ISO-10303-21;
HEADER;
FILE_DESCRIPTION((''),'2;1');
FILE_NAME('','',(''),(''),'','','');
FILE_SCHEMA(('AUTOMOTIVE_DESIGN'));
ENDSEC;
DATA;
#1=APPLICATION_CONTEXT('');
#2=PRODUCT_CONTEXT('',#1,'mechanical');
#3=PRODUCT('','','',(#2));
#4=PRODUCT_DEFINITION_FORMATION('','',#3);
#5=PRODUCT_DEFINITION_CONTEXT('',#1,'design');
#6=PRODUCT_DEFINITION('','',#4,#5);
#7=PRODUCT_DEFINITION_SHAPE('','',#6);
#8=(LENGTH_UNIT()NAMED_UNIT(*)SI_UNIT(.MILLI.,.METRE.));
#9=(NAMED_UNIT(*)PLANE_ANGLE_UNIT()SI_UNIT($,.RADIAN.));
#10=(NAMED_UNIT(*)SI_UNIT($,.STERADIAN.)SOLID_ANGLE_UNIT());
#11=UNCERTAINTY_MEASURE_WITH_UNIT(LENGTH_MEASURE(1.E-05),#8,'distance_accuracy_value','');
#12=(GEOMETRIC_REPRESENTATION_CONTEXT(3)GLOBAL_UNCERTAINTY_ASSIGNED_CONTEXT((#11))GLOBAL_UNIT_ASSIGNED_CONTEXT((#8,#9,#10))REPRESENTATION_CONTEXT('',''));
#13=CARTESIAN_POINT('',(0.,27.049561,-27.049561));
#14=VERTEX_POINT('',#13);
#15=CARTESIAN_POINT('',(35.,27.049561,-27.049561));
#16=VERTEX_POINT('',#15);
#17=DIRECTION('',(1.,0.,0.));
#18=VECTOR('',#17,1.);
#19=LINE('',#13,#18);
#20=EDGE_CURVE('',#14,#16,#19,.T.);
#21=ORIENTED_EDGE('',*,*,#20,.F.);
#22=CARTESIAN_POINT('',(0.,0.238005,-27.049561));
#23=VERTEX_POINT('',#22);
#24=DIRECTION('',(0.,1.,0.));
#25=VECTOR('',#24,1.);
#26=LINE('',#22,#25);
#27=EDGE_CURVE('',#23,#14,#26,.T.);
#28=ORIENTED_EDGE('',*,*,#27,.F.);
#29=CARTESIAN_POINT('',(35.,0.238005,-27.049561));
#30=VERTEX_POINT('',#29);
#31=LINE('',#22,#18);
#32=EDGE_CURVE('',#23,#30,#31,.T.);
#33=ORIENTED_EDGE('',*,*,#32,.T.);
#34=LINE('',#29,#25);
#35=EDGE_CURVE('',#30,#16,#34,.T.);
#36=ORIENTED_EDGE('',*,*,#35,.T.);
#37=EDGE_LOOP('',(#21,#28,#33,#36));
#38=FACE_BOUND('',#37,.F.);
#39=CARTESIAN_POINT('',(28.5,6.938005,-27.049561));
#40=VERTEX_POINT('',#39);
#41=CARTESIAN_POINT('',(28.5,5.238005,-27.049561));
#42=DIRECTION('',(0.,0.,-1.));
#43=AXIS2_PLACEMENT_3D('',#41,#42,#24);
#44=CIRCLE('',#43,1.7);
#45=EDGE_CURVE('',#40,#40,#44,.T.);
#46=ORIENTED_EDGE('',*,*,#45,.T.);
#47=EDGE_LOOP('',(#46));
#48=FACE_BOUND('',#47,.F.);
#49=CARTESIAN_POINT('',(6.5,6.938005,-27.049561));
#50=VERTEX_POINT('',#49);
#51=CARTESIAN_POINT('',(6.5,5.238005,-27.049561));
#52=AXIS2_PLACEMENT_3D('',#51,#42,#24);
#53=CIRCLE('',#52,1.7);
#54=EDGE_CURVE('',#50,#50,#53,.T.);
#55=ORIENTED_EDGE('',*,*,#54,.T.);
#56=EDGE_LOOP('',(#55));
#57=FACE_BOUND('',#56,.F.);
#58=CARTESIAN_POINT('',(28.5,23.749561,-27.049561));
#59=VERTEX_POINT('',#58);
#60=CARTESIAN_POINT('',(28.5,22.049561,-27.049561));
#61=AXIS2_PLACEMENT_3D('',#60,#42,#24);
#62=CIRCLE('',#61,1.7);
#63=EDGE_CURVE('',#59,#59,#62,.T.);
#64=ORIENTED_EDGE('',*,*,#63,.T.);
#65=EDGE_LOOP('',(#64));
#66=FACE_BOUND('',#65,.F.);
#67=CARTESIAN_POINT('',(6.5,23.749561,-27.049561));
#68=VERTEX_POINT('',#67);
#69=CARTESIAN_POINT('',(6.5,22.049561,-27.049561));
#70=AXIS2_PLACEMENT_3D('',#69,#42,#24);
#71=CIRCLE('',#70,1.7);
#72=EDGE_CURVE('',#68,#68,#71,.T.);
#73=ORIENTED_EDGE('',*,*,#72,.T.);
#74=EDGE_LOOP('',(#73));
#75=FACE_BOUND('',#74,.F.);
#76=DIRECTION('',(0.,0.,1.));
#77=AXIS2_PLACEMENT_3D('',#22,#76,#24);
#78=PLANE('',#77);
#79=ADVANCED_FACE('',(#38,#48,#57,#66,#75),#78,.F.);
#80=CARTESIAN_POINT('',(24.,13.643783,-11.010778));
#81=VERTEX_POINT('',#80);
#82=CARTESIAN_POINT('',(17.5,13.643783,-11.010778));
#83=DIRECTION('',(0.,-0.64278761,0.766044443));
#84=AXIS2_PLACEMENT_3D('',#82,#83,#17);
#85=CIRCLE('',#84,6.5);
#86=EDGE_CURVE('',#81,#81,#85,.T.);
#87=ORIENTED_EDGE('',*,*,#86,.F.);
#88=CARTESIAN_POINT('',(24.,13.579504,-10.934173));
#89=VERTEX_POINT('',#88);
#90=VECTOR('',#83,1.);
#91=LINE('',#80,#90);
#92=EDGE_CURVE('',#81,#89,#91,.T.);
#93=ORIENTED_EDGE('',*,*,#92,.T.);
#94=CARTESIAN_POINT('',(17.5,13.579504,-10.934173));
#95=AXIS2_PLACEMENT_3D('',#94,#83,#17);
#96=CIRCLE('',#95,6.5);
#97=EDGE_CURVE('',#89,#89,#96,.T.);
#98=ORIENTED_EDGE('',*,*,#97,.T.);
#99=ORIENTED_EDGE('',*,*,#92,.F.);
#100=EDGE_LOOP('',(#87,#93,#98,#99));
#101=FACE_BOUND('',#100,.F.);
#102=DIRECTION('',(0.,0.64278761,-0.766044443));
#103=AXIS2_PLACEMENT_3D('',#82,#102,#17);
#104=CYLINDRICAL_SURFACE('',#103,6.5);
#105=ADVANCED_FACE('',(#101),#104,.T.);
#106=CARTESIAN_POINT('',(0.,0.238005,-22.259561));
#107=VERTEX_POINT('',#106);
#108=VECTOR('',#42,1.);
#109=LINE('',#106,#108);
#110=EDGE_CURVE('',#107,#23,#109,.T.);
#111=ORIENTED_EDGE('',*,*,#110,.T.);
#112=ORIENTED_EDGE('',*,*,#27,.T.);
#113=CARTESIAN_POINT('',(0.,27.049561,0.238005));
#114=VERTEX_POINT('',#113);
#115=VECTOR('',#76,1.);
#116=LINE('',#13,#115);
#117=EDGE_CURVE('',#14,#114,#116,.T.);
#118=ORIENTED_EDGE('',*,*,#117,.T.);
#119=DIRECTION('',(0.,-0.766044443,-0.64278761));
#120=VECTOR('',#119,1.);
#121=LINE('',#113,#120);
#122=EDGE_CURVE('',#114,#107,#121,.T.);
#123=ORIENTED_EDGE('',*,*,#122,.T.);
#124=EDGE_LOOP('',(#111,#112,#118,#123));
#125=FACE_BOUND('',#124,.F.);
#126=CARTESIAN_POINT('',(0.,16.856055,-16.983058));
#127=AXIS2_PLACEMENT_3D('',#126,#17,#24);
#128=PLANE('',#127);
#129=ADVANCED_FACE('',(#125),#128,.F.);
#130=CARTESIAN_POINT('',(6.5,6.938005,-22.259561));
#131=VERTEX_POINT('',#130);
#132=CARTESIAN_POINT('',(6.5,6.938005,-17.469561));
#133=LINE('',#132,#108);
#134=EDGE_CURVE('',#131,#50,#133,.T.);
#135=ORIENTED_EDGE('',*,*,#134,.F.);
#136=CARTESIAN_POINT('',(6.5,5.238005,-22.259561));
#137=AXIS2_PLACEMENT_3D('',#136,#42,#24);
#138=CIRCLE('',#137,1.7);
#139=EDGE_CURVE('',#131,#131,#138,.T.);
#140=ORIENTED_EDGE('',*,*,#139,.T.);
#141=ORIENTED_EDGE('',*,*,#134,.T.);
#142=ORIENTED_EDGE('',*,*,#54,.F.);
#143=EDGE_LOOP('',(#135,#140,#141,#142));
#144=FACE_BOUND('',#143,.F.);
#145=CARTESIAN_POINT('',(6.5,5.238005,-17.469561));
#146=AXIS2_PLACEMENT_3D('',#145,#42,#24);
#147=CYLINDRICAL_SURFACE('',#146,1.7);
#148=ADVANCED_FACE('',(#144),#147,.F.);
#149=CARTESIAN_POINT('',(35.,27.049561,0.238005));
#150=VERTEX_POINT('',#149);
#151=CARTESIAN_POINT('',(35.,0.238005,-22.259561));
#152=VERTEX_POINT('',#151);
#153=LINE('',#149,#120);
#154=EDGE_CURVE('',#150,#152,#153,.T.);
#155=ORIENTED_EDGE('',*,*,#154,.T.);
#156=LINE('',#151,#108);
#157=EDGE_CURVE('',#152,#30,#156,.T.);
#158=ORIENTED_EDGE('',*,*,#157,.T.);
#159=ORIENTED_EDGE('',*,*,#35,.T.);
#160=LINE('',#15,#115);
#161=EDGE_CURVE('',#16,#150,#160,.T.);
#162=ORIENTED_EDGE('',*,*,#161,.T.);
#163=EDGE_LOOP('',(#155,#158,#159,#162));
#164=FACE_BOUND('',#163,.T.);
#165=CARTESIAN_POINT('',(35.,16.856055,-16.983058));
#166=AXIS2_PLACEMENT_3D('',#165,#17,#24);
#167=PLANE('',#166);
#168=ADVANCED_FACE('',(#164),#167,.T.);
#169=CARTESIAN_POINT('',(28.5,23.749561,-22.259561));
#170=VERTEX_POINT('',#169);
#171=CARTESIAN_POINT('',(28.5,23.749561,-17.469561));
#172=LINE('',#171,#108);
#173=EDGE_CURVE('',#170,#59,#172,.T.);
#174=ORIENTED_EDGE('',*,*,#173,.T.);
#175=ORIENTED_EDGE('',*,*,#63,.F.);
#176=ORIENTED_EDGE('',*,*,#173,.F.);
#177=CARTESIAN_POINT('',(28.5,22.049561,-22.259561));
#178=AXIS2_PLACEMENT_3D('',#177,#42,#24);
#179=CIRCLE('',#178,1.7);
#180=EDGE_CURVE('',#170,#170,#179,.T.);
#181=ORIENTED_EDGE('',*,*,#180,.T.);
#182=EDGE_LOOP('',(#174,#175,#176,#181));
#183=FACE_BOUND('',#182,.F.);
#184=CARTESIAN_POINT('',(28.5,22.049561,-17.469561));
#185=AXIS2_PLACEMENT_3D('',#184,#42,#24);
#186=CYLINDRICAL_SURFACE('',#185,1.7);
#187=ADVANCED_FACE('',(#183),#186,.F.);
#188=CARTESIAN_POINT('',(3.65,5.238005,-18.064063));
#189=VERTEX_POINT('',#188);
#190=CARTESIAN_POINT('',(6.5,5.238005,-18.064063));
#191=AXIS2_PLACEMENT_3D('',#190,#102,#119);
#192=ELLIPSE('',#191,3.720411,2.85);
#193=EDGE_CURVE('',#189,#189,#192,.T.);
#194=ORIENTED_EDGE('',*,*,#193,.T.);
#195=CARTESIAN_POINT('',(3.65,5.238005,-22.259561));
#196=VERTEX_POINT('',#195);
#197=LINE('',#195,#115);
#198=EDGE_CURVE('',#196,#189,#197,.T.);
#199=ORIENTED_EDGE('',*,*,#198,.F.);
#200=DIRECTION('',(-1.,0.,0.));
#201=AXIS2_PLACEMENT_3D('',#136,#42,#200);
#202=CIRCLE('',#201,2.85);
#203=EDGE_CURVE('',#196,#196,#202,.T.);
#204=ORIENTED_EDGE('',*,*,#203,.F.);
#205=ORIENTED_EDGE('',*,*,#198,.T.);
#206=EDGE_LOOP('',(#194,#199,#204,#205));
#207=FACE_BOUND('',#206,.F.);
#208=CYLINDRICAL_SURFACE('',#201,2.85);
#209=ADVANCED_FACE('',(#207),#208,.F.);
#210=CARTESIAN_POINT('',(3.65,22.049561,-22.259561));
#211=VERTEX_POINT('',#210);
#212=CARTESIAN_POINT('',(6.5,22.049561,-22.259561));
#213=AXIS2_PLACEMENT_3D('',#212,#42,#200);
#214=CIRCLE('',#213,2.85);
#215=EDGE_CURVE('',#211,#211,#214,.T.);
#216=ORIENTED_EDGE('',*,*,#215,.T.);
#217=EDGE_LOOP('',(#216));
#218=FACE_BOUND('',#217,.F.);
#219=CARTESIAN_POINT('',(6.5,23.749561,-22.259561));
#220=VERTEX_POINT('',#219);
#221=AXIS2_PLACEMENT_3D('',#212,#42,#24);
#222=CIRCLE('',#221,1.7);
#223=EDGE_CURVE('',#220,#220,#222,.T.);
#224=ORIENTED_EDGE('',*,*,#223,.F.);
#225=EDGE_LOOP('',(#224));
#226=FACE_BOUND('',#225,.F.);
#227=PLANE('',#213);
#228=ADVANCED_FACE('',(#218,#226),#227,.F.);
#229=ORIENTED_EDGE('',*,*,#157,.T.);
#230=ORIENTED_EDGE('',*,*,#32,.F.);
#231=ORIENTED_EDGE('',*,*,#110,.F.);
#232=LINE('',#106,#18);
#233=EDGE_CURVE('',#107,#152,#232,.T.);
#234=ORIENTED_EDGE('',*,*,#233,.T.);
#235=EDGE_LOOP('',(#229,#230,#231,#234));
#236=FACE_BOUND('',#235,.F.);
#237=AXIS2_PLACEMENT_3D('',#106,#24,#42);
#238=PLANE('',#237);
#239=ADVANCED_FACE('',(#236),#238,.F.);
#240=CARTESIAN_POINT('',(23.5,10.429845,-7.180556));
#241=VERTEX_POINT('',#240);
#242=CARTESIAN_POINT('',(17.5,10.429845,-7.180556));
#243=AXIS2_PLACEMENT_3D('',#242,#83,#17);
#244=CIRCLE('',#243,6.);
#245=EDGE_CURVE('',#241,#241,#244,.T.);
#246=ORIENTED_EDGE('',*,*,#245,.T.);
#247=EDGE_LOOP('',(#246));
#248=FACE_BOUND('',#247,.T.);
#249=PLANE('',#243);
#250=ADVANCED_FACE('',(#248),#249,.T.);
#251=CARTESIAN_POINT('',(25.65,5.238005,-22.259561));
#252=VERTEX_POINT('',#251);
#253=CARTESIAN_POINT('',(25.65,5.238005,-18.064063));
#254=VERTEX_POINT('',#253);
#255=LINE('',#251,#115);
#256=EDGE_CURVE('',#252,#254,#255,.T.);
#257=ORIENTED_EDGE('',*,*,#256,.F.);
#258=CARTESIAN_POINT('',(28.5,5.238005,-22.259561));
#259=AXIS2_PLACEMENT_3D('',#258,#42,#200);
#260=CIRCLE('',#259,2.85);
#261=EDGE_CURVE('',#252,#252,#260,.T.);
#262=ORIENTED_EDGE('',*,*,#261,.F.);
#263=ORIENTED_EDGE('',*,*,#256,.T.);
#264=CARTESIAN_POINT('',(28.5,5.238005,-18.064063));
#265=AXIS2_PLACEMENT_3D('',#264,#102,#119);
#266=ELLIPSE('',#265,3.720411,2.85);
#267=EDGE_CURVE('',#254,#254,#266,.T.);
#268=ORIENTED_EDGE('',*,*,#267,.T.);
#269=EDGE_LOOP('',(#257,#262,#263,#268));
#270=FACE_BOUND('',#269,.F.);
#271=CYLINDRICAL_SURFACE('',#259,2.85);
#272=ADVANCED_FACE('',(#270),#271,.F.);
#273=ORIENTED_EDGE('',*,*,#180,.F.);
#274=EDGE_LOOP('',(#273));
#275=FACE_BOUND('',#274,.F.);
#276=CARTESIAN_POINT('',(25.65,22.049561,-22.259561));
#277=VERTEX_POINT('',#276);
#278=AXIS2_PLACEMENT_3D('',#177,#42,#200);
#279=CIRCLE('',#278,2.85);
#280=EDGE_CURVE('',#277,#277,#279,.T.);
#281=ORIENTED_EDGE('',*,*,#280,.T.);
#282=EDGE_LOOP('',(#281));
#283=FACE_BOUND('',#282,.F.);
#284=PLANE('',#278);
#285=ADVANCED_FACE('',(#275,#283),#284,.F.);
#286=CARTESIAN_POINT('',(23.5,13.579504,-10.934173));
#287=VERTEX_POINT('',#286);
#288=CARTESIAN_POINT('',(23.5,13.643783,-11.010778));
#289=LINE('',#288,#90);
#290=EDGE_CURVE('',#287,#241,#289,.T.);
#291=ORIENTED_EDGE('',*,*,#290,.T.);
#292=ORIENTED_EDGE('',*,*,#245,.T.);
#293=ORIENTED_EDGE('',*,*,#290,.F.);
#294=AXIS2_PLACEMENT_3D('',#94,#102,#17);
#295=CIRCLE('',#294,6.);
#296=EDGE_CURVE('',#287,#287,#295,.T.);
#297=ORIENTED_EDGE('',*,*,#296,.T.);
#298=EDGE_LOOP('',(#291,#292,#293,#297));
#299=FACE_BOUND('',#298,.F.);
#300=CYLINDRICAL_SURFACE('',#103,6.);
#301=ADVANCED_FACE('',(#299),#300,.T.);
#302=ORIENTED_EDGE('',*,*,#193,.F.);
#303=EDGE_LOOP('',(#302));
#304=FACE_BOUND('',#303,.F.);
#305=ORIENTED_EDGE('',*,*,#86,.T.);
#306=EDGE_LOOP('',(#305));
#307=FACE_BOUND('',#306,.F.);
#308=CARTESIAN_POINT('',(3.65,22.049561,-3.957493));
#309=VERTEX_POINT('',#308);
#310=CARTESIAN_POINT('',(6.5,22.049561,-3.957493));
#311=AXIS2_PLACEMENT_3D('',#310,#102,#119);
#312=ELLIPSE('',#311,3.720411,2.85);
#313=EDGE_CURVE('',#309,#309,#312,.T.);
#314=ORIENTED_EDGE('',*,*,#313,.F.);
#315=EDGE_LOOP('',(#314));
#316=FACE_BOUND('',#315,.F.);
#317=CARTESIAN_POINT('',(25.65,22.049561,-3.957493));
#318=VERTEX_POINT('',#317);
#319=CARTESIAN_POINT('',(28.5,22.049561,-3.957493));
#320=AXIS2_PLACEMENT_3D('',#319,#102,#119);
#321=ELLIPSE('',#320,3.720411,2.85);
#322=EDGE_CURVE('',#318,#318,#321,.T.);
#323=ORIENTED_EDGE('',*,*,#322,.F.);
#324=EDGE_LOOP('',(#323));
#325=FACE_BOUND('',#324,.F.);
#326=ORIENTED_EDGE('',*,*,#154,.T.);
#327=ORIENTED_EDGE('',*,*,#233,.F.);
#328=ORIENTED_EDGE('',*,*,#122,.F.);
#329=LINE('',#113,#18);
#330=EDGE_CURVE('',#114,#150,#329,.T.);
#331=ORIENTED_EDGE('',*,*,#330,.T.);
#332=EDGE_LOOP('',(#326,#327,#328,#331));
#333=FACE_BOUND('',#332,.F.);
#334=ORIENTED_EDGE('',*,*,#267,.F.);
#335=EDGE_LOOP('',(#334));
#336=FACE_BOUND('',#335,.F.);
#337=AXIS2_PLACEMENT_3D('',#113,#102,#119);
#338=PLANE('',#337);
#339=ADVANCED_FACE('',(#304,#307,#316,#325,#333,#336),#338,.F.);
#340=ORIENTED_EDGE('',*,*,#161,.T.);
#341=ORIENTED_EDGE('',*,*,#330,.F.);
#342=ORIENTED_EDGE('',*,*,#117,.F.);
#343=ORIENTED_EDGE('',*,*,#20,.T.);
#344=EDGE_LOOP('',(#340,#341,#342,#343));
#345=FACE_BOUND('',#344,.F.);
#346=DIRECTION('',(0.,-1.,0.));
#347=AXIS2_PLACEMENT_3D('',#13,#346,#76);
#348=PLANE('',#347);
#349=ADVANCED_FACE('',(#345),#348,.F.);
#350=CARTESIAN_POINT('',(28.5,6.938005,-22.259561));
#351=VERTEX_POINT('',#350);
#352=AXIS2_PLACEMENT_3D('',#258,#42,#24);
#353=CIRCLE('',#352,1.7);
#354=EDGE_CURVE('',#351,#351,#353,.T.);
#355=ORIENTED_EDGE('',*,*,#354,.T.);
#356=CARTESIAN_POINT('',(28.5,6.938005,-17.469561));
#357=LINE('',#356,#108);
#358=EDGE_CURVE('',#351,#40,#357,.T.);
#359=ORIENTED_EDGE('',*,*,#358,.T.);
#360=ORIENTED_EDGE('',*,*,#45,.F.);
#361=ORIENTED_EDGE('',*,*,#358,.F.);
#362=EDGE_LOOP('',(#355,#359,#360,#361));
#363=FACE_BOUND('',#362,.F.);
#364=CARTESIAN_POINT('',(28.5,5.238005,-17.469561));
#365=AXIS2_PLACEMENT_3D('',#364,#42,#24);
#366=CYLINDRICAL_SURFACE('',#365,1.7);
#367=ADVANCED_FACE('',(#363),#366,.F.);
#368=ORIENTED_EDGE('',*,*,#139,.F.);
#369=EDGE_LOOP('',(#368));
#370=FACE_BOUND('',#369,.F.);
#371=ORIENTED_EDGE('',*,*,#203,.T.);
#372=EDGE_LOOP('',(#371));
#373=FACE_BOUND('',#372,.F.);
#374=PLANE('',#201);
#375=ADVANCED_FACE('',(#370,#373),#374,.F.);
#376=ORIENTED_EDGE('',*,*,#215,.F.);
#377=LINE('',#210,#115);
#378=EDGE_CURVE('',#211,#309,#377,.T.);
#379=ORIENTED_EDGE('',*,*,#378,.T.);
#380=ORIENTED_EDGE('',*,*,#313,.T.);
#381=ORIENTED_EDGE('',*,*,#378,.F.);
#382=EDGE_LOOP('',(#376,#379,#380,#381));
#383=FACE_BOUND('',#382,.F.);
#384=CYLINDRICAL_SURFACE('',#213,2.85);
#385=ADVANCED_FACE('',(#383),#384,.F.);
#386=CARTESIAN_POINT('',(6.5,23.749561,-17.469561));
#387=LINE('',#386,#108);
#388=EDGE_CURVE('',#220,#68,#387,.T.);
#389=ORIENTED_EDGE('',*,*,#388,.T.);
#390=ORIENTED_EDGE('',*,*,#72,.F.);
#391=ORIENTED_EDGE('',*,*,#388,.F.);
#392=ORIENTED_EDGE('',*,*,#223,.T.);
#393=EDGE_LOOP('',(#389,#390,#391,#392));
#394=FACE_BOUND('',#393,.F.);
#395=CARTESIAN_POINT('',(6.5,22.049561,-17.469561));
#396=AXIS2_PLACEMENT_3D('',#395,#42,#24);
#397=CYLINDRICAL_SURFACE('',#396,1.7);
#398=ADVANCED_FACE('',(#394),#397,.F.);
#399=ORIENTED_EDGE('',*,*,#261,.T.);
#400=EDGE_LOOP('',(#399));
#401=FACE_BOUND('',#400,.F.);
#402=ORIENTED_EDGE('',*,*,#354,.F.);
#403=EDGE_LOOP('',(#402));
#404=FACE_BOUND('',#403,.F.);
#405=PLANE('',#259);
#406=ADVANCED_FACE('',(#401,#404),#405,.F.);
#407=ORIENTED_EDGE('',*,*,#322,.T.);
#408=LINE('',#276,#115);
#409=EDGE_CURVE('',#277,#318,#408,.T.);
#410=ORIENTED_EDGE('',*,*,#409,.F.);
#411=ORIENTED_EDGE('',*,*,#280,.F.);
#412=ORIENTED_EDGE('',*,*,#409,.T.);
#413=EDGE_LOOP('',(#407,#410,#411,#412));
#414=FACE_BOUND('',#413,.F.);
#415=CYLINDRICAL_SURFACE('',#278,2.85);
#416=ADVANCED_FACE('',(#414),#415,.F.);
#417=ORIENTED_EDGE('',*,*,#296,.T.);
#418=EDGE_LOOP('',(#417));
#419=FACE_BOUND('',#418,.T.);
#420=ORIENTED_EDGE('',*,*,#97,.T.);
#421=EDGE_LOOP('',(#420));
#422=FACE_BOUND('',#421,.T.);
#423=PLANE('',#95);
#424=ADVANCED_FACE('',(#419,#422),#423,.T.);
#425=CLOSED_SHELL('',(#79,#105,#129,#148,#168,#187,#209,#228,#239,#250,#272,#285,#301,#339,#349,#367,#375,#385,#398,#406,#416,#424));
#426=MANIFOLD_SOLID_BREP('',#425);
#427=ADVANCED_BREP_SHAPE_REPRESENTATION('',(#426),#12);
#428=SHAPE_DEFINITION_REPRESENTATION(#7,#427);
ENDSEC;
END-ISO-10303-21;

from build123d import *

# Parameters (mm, degrees)
AUFSATZ_LINEAR_AUSTRAGEN1_DEPTH      = 35
SKIZZE3_R                            = 6
AUFSATZ_LINEAR_AUSTRAGEN2_DEPTH      = 5
SKIZZE4_R                            = 6.5
AUFSATZ_LINEAR_AUSTRAGEN3_DEPTH      = 0.1
SKIZZE7_R                            = 2.85
SCHNITT_LINEAR_AUSTRAGEN1_DEPTH      = 23.497566339
F_3_4_3_4_DURCHMESSER_BOHRUNG1_D     = 3.4
F_3_4_3_4_DURCHMESSER_BOHRUNG1_DEPTH = 4.79
K_RPER_VERSCHIEBEN_KOPIEREN1_ANGLE   = 90


with BuildPart() as part:
    # Skizze1 → Aufsatz-Linear austragen1 (new body)
    with BuildSketch(Plane(origin=(0, 0, 0), x_dir=(0, 0, -1), z_dir=(1, 0, 0))):
        Polygon((0, 0), (26.811555509, 0), (26.811555509, 27.287566339), (0, 4.79), align=None)
    extrude(amount=AUFSATZ_LINEAR_AUSTRAGEN1_DEPTH)

    # Skizze3 → Aufsatz-Linear austragen2 (add)
    with BuildSketch(Plane(origin=(0, 2.810887386, 2.358614568), x_dir=(1, 0, 0), z_dir=(0, 0.766044443, 0.64278761))):
        with Locations((17.5, 20.57895265)):
            Circle(SKIZZE3_R)
    extrude(amount=AUFSATZ_LINEAR_AUSTRAGEN2_DEPTH)

    # Skizze4 → Aufsatz-Linear austragen3 (add)
    with BuildSketch(Plane(origin=(0, 2.810887386, 2.358614568), x_dir=(1, 0, 0), z_dir=(0, 0.766044443, 0.64278761))):
        with Locations((17.5, 20.57895265)):
            Circle(SKIZZE4_R)
    extrude(amount=AUFSATZ_LINEAR_AUSTRAGEN3_DEPTH)

    # Skizze7 → Schnitt-Linear austragen1 (cut, through all)
    with BuildSketch(Plane(origin=(0, 4.79, 0), x_dir=(-1, 0, 0), z_dir=(0, -1, 0))):
        with Locations((-28.5, 21.811555509)):
            Circle(SKIZZE7_R)
        with Locations((-6.5, 21.811555509)):
            Circle(SKIZZE7_R)
        with Locations((-6.5, 5)):
            Circle(SKIZZE7_R)
        with Locations((-28.5, 5)):
            Circle(SKIZZE7_R)
    extrude(amount=-SCHNITT_LINEAR_AUSTRAGEN1_DEPTH, mode=Mode.SUBTRACT)

    # Ø3.4 (3.4) Durchmesser Bohrung1
    with Locations(Plane(origin=(6.5, 4.79, -21.811555509), x_dir=(0, 0, 1), z_dir=(0, 1, 0))):
        with Locations((0, 0), (16.811555509, 0), (16.811555509, 22), (0, 22)):
            Hole(F_3_4_3_4_DURCHMESSER_BOHRUNG1_D / 2, depth=F_3_4_3_4_DURCHMESSER_BOHRUNG1_DEPTH)


with BuildPart() as part_1:
    # Körper-Verschieben/Kopieren1: moved
    add(part.part.rotate(Axis((0, 13.64378317, -13.405777755), (1, 0, 0)), K_RPER_VERSCHIEBEN_KOPIEREN1_ANGLE))


solid = part_1.part
